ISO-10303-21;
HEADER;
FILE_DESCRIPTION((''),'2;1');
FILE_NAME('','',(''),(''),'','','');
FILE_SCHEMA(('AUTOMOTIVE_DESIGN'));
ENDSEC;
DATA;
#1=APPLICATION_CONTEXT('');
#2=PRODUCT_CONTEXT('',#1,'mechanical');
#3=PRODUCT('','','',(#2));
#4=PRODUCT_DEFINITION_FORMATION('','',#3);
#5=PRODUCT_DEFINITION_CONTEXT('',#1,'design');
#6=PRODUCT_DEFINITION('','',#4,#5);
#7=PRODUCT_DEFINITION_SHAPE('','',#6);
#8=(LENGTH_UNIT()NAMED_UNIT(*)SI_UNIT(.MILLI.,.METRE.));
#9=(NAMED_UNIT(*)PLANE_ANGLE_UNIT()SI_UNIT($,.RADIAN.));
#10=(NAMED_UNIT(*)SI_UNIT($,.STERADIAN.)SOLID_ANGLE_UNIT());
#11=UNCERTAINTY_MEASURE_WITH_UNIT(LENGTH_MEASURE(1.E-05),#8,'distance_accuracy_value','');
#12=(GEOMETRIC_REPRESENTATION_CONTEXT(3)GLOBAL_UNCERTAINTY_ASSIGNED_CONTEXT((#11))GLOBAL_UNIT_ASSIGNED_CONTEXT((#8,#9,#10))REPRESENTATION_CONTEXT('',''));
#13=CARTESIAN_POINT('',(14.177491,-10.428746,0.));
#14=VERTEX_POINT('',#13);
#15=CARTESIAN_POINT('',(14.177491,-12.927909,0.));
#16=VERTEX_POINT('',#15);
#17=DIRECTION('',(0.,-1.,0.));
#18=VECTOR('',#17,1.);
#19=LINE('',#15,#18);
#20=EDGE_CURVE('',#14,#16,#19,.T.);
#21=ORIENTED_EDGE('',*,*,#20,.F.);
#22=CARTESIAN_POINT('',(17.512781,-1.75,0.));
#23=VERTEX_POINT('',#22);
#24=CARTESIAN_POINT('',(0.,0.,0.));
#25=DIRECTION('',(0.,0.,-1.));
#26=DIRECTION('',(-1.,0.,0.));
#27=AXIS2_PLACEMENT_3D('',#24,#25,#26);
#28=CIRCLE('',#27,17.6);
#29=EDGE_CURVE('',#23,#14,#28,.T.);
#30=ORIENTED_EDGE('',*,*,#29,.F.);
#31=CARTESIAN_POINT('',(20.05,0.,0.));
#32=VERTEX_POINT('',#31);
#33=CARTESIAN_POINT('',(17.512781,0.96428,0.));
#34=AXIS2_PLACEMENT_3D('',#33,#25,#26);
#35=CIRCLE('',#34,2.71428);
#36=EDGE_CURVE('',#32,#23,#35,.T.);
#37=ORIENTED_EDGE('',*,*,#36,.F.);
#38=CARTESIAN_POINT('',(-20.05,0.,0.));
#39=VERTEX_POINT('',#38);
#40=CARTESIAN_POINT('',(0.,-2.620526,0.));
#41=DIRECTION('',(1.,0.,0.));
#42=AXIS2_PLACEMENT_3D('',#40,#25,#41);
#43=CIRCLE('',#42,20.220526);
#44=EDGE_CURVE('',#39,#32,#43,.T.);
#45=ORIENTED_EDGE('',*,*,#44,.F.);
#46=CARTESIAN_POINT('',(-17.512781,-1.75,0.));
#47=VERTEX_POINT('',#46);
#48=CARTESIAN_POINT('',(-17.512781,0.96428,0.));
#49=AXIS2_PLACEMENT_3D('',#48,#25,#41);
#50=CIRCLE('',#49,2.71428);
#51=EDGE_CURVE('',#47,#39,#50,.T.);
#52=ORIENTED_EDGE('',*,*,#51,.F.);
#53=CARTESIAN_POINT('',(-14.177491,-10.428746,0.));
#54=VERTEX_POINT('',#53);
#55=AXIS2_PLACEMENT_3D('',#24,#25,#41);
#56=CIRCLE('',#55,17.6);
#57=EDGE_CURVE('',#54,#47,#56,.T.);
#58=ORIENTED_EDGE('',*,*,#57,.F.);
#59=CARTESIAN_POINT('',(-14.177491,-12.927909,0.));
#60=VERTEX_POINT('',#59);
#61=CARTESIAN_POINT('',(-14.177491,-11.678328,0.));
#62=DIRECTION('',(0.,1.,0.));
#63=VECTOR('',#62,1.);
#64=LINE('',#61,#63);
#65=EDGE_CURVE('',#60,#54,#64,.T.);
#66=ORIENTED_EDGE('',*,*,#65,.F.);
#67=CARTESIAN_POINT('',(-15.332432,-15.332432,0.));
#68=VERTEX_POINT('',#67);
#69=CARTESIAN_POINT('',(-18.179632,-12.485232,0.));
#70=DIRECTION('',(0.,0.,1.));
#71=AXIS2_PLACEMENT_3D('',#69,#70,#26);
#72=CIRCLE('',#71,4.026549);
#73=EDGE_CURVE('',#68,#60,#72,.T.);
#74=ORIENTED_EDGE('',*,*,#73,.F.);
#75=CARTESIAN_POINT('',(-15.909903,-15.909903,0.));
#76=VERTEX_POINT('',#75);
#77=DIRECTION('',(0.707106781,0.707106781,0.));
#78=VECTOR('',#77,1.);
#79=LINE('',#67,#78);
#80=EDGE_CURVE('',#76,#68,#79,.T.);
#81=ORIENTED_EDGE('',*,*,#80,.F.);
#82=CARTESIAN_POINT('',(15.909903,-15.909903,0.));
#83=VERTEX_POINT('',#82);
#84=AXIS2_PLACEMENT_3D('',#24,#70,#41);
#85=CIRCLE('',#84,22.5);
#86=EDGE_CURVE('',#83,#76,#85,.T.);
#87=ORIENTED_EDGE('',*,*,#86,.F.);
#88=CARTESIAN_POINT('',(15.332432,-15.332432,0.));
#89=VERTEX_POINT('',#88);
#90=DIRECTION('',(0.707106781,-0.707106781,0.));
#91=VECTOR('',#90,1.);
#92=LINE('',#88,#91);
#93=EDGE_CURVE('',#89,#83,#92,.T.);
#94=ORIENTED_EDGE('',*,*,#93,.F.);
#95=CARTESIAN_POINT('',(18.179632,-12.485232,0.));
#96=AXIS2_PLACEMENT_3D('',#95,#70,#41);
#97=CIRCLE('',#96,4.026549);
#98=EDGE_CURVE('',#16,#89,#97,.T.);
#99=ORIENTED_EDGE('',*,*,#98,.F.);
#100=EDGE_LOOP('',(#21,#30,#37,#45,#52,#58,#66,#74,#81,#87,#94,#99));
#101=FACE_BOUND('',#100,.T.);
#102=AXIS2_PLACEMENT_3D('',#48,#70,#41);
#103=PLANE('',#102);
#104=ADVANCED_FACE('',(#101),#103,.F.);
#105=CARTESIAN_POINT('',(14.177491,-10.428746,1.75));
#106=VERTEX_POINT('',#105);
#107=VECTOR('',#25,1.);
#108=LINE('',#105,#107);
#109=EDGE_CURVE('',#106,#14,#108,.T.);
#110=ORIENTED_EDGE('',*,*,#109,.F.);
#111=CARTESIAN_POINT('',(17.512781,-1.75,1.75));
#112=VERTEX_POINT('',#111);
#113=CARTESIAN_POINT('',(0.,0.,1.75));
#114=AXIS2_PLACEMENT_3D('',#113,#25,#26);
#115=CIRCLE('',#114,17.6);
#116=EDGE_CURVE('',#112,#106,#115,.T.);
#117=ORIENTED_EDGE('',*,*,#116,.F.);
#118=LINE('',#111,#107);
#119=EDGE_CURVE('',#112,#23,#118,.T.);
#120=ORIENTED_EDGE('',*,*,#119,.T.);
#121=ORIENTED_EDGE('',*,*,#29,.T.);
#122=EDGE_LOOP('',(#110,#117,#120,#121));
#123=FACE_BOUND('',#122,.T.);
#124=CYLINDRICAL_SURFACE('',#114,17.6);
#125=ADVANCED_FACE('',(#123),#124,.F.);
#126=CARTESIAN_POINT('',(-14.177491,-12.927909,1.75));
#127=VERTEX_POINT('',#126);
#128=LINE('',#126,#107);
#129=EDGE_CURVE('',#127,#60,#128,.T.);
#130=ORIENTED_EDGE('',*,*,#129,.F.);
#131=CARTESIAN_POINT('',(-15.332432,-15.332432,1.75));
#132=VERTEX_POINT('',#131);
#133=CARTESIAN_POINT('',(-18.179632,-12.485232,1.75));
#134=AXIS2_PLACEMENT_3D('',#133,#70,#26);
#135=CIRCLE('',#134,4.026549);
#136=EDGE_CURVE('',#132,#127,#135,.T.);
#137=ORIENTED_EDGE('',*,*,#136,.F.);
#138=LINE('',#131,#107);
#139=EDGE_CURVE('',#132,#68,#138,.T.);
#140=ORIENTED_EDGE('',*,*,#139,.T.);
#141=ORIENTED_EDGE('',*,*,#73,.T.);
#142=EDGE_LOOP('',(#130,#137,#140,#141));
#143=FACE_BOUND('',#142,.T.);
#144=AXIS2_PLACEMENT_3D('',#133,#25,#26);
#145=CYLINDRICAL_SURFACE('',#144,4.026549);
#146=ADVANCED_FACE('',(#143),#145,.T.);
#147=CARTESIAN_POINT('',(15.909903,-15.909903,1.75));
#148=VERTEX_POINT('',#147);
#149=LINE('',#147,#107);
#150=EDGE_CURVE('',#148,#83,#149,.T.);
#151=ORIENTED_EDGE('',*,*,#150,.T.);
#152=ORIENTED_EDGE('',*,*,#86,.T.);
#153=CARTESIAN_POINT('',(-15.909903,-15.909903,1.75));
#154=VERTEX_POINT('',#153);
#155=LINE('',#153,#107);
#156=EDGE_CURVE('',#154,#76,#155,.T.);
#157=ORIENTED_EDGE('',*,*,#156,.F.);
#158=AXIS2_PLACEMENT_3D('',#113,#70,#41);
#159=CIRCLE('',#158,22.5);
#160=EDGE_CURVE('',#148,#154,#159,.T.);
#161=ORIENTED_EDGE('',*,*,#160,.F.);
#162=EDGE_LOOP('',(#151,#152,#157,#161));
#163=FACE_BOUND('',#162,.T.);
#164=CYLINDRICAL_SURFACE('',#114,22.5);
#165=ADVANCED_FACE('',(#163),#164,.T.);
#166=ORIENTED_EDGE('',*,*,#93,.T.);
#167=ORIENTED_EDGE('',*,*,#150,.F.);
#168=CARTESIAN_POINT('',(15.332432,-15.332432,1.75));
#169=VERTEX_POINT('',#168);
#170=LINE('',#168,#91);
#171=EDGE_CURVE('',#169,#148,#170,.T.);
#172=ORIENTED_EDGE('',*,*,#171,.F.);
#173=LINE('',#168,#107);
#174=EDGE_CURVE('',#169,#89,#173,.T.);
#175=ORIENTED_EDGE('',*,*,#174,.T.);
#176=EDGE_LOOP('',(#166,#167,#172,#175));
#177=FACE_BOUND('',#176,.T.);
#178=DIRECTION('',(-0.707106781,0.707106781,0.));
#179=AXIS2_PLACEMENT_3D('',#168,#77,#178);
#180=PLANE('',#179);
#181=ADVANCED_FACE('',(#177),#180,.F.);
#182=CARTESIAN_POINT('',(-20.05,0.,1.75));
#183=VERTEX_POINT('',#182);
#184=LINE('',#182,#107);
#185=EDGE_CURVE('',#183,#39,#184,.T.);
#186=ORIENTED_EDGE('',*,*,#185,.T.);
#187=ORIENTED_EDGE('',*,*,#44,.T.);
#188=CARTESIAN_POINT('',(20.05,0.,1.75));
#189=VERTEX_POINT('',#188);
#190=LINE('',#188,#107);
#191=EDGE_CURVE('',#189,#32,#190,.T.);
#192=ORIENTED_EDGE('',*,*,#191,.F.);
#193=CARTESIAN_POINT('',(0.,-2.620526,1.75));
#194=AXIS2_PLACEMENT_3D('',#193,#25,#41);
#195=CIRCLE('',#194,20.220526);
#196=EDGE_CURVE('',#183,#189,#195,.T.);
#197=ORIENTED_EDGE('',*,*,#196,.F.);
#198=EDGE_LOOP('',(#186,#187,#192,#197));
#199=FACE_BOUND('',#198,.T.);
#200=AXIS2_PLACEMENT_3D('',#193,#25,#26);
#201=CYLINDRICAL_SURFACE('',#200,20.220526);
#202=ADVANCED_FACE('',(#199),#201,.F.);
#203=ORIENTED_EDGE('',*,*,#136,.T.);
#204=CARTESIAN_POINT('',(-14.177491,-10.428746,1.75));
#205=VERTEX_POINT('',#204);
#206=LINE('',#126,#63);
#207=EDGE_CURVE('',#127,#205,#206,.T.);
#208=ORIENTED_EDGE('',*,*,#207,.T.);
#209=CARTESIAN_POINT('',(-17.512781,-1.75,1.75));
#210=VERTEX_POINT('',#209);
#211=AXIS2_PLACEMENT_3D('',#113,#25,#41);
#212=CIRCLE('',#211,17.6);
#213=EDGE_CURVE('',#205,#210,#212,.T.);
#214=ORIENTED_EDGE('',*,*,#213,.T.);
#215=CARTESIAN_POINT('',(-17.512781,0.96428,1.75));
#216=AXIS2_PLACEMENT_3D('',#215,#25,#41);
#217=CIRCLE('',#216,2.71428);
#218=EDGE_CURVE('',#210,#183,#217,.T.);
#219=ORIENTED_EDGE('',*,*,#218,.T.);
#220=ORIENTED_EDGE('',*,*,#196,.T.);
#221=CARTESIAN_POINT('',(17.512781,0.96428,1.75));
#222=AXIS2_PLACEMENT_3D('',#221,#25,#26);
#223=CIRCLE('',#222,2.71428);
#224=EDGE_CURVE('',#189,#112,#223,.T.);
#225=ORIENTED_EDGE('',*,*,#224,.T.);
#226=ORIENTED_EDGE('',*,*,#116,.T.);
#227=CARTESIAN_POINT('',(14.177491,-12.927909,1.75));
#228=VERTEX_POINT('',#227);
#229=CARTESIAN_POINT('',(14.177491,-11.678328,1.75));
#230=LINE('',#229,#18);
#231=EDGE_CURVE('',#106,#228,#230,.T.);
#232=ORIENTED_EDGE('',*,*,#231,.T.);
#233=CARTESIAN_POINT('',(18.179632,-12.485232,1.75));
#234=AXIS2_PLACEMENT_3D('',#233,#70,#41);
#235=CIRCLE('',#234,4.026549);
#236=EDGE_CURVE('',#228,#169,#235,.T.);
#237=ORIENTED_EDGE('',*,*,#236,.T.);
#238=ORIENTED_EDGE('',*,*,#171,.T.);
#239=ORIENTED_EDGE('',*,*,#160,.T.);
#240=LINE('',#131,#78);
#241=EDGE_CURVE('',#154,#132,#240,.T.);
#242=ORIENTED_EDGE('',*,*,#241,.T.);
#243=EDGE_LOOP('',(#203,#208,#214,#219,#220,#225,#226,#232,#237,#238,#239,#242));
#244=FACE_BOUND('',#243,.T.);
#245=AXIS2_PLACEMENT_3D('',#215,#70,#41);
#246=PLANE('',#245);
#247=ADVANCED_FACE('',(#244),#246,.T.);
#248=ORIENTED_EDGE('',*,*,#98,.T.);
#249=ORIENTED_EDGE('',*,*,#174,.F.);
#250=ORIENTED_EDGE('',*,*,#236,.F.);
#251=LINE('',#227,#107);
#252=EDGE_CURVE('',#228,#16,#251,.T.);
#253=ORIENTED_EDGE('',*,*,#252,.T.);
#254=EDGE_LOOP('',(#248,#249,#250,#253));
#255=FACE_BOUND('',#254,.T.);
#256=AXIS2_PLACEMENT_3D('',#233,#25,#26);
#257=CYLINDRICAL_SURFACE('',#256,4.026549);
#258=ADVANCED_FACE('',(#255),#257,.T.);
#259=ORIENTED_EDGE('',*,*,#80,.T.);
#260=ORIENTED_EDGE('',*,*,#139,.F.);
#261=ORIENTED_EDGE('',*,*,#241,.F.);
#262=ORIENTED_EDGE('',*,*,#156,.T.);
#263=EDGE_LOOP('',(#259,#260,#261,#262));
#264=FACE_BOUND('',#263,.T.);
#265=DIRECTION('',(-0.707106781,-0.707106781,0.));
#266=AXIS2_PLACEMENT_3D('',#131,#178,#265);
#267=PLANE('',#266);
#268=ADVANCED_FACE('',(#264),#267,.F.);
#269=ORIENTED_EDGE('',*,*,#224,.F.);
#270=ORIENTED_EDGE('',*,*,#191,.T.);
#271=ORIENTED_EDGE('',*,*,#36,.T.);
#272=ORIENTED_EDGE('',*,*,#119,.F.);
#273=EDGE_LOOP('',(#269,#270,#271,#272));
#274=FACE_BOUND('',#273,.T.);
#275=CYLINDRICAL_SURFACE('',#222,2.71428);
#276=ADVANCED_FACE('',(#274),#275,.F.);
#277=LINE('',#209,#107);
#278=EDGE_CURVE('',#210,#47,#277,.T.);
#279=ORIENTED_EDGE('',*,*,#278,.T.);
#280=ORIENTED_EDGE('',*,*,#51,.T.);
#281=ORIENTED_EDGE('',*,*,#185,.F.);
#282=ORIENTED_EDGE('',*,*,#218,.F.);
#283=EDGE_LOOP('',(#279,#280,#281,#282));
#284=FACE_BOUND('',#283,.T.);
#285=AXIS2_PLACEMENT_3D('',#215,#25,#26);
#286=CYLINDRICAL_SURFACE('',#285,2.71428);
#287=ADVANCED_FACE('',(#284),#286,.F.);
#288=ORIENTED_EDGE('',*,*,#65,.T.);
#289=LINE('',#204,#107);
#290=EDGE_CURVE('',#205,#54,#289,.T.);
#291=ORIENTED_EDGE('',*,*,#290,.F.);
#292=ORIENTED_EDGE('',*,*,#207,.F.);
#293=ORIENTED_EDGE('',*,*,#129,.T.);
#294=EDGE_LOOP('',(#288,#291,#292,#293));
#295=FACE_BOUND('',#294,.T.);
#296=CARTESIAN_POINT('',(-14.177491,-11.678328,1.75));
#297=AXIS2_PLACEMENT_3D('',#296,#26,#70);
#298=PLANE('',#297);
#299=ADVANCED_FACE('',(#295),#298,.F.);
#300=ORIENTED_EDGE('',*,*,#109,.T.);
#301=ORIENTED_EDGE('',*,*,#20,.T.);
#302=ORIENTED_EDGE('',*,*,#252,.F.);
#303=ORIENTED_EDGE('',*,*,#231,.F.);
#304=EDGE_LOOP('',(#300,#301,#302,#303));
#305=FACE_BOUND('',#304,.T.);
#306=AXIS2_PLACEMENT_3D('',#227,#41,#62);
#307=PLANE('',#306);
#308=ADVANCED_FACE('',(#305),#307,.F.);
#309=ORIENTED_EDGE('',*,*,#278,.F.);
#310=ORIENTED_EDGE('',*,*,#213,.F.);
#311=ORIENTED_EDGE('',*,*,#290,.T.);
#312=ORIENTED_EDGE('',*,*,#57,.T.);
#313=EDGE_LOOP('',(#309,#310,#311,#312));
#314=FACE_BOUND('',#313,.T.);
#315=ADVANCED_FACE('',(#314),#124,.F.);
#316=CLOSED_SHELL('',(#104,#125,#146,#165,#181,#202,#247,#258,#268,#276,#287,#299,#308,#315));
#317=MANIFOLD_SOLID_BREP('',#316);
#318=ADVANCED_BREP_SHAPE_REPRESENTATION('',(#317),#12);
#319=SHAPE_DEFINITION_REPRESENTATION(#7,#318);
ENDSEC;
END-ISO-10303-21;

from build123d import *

# Parameters (mm, degrees)
BOSS_EXTRUDE1_DEPTH = 1.75


with BuildPart() as part:
    # Sketch2 → Boss-Extrude1 (new body)
    with BuildSketch(Plane.XY):
        with BuildLine():
            Line((-14.177490963, -12.927909418), (-14.177490963, -11.678327874))
            Line((-14.177490963, -11.678327874), (-14.177490963, -10.428746329))
            ThreePointArc((-14.177490963, -10.428746329), (-16.42858772, -6.313596877), (-17.512781047, -1.75))
            ThreePointArc((-17.512781047, -1.75), (-19.053882927, -1.270070223), (-20.05, 0))
            ThreePointArc((-20.05, 0), (0, 17.6), (20.05, 0))
            ThreePointArc((20.05, 0), (19.053882927, -1.270070223), (17.512781047, -1.75))
            ThreePointArc((17.512781047, -1.75), (16.42858772, -6.313596877), (14.177490963, -10.428746329))
            Line((14.177490963, -10.428746329), (14.177490963, -11.678327874))
            Line((14.177490963, -11.678327874), (14.177490963, -12.927909418))
            ThreePointArc((14.177490963, -12.927909418), (14.550059003, -14.228589562), (15.332432039, -15.332432039))
            Line((15.332432039, -15.332432039), (15.909902577, -15.909902577))
            ThreePointArc((15.909902577, -15.909902577), (0, 22.5), (-15.909902577, -15.909902577))
            Line((-15.909902577, -15.909902577), (-15.332432039, -15.332432039))
            ThreePointArc((-15.332432039, -15.332432039), (-14.550059003, -14.228589562), (-14.177490963, -12.927909418))
        make_face()
    extrude(amount=BOSS_EXTRUDE1_DEPTH)


solid = part.part
